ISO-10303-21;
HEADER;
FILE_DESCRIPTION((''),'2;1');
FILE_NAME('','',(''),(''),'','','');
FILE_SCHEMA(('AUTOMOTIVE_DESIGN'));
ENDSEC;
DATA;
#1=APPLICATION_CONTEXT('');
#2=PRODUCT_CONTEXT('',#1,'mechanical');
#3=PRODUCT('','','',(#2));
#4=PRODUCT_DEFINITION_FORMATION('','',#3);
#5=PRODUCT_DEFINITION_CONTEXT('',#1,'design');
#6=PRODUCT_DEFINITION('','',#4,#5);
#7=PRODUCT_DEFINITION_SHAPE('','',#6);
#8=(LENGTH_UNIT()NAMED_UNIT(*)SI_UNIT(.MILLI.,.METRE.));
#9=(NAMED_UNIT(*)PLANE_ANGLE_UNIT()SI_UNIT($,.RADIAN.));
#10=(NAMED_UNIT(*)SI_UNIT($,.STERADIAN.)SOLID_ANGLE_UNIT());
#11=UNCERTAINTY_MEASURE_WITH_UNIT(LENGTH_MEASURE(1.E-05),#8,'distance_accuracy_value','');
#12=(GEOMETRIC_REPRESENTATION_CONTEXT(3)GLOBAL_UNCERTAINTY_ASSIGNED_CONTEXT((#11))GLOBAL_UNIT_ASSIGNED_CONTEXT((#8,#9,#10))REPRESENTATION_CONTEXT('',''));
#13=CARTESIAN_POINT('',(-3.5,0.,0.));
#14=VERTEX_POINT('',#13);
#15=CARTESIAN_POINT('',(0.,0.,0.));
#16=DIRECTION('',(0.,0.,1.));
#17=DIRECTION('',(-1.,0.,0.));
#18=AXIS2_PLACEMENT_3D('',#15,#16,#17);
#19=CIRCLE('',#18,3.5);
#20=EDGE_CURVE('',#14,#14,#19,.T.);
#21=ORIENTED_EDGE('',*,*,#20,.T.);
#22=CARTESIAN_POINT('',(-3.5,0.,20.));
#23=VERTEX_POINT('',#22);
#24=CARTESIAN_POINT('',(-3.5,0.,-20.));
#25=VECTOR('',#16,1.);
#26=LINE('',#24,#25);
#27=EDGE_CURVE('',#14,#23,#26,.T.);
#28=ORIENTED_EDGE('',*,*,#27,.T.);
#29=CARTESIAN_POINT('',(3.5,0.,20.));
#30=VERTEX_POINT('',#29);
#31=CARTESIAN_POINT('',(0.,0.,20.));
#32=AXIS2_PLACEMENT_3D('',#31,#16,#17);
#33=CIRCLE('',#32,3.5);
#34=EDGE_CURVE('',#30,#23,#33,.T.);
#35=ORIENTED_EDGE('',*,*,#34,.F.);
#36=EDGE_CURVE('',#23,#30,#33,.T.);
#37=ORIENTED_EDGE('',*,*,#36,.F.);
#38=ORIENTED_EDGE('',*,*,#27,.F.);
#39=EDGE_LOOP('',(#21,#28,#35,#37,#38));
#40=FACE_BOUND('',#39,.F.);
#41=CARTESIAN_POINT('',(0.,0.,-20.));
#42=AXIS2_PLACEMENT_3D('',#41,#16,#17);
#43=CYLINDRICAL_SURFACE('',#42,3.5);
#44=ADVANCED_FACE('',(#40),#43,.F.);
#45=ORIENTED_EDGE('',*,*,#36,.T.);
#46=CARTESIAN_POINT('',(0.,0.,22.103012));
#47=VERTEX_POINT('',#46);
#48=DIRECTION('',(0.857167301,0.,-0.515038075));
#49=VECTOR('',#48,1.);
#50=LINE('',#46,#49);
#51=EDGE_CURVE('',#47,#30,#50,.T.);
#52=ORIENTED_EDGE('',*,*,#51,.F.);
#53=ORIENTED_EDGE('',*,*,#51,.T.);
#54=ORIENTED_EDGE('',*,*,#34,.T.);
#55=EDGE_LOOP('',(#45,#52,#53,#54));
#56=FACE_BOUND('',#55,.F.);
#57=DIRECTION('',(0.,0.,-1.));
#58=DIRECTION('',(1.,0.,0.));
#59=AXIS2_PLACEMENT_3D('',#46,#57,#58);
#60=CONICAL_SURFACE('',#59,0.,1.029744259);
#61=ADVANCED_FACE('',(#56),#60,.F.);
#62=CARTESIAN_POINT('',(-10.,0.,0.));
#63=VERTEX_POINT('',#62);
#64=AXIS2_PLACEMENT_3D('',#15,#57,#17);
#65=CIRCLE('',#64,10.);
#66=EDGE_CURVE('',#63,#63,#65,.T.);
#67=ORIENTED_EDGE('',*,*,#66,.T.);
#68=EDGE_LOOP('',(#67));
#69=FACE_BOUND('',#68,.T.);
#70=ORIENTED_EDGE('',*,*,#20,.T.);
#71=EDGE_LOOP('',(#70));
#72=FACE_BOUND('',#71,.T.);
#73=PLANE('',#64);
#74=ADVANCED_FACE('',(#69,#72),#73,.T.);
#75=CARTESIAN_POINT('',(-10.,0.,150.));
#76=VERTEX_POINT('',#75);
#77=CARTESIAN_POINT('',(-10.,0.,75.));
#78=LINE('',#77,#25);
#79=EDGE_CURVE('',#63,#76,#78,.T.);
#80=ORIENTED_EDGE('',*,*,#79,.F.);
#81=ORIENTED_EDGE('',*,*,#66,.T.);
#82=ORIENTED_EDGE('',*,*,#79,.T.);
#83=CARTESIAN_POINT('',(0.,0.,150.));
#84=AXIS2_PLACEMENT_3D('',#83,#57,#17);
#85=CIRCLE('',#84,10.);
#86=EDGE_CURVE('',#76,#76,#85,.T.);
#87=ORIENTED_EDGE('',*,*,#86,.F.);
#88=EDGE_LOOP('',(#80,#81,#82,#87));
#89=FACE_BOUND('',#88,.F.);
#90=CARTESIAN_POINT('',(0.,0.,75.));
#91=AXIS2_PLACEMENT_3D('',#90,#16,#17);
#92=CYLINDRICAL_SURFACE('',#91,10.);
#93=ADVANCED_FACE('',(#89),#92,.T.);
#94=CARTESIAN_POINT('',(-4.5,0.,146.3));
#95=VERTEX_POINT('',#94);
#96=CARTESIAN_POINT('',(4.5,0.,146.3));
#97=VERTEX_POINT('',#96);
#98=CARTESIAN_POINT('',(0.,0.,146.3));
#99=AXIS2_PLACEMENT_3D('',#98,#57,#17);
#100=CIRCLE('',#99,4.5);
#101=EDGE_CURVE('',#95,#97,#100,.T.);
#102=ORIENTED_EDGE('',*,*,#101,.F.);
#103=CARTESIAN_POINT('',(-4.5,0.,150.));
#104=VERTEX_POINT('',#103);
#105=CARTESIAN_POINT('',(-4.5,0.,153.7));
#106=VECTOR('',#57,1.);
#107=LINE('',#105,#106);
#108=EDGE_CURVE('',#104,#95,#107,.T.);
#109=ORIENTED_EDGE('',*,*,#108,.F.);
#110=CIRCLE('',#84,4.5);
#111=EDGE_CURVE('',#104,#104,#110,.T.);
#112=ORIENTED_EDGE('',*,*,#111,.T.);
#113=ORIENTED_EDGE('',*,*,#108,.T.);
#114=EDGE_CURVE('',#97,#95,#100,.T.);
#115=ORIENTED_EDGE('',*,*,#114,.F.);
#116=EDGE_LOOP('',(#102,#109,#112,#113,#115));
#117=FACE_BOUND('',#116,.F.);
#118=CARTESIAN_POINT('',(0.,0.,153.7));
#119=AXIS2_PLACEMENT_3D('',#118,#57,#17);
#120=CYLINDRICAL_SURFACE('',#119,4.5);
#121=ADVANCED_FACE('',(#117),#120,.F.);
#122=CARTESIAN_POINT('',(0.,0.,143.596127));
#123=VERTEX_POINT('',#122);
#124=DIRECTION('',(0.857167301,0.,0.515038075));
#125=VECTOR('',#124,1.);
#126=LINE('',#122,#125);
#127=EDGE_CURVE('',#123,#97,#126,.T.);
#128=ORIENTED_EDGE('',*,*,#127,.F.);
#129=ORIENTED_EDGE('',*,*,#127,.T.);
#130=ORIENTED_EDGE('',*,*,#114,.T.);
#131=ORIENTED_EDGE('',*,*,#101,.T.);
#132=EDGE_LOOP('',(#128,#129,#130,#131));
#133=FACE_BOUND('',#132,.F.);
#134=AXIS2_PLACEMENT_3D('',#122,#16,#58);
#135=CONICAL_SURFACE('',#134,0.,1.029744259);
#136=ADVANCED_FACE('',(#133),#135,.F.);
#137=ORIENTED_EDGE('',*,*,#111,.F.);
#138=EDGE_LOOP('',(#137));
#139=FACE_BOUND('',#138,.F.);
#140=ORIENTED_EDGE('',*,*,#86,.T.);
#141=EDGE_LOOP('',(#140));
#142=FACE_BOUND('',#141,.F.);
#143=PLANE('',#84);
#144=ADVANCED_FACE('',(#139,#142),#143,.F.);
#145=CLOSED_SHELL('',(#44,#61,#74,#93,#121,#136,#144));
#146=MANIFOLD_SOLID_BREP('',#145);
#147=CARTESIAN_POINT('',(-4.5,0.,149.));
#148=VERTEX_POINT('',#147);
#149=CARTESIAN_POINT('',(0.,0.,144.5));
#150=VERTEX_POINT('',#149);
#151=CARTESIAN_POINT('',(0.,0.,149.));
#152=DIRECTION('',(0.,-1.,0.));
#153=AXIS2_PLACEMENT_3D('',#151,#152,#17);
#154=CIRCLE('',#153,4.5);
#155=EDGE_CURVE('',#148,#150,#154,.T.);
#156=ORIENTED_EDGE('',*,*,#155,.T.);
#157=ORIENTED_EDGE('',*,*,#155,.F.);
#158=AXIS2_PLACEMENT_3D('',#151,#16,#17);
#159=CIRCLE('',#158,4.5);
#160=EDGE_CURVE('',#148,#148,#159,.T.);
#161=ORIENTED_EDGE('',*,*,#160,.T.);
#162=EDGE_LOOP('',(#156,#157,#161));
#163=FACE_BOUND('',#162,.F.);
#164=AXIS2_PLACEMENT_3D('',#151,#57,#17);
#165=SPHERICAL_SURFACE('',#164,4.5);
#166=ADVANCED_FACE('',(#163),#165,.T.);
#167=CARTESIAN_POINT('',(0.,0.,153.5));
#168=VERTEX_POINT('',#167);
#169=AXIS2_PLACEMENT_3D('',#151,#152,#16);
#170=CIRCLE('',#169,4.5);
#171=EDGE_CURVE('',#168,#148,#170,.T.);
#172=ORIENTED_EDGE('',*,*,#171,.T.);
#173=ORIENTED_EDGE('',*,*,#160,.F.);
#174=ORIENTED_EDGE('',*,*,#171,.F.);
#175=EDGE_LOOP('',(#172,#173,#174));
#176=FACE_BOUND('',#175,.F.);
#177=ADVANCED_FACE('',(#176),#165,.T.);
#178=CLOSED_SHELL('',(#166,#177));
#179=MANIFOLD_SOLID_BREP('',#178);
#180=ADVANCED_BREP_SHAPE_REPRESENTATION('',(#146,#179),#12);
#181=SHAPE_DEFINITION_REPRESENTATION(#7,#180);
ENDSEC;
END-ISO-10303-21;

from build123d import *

# Parameters (mm, degrees)
F0_W     = 10
F0_H     = 150
F3_D     = 9
F3_DEPTH = 3.7
F3_TIP   = 2.7038727856
F5_D     = 7
F5_DEPTH = 20
F5_TIP   = 2.1030121666


with BuildPart() as f1:
    # F0 (on Front) → F1 (revolve)
    with BuildSketch(Plane.XZ):
        with Locations((-5, 75)):
            Rectangle(F0_W, F0_H)
    revolve(axis=Axis((0, 0, 46.3739156723), (0, 0, -1)))

    # F3
    with Locations(Plane.XY.offset(150)):
        with Locations((0, 0)):
            Hole(F3_D / 2, depth=F3_DEPTH)
            with Locations((0, 0, -(F3_DEPTH + F3_TIP / 2))):  # 118° drill point
                Cone(0, F3_D / 2, F3_TIP, mode=Mode.SUBTRACT)

    # F5
    with Locations(Plane(origin=(0, 0, 0), x_dir=(1, 0, 0), z_dir=(0, 0, -1))):
        with Locations((0, 0)):
            Hole(F5_D / 2, depth=F5_DEPTH)
            with Locations((0, 0, -(F5_DEPTH + F5_TIP / 2))):  # 118° drill point
                Cone(0, F5_D / 2, F5_TIP, mode=Mode.SUBTRACT)


with BuildPart() as f7:
    # F6 (on Front) → F7 (revolve)
    with BuildSketch(Plane.XZ):
        with BuildLine():
            Line((0, 144.5), (0, 153.5))
            ThreePointArc((0, 153.5), (-3.1819805153, 152.1819805153), (-4.5, 149))
            ThreePointArc((-4.5, 149), (-3.1819805153, 145.8180194847), (0, 144.5))
        make_face()
    revolve(axis=Axis((0, 0, 149), (0, 0, 1)))


solid = Compound([f1.part, f7.part])
